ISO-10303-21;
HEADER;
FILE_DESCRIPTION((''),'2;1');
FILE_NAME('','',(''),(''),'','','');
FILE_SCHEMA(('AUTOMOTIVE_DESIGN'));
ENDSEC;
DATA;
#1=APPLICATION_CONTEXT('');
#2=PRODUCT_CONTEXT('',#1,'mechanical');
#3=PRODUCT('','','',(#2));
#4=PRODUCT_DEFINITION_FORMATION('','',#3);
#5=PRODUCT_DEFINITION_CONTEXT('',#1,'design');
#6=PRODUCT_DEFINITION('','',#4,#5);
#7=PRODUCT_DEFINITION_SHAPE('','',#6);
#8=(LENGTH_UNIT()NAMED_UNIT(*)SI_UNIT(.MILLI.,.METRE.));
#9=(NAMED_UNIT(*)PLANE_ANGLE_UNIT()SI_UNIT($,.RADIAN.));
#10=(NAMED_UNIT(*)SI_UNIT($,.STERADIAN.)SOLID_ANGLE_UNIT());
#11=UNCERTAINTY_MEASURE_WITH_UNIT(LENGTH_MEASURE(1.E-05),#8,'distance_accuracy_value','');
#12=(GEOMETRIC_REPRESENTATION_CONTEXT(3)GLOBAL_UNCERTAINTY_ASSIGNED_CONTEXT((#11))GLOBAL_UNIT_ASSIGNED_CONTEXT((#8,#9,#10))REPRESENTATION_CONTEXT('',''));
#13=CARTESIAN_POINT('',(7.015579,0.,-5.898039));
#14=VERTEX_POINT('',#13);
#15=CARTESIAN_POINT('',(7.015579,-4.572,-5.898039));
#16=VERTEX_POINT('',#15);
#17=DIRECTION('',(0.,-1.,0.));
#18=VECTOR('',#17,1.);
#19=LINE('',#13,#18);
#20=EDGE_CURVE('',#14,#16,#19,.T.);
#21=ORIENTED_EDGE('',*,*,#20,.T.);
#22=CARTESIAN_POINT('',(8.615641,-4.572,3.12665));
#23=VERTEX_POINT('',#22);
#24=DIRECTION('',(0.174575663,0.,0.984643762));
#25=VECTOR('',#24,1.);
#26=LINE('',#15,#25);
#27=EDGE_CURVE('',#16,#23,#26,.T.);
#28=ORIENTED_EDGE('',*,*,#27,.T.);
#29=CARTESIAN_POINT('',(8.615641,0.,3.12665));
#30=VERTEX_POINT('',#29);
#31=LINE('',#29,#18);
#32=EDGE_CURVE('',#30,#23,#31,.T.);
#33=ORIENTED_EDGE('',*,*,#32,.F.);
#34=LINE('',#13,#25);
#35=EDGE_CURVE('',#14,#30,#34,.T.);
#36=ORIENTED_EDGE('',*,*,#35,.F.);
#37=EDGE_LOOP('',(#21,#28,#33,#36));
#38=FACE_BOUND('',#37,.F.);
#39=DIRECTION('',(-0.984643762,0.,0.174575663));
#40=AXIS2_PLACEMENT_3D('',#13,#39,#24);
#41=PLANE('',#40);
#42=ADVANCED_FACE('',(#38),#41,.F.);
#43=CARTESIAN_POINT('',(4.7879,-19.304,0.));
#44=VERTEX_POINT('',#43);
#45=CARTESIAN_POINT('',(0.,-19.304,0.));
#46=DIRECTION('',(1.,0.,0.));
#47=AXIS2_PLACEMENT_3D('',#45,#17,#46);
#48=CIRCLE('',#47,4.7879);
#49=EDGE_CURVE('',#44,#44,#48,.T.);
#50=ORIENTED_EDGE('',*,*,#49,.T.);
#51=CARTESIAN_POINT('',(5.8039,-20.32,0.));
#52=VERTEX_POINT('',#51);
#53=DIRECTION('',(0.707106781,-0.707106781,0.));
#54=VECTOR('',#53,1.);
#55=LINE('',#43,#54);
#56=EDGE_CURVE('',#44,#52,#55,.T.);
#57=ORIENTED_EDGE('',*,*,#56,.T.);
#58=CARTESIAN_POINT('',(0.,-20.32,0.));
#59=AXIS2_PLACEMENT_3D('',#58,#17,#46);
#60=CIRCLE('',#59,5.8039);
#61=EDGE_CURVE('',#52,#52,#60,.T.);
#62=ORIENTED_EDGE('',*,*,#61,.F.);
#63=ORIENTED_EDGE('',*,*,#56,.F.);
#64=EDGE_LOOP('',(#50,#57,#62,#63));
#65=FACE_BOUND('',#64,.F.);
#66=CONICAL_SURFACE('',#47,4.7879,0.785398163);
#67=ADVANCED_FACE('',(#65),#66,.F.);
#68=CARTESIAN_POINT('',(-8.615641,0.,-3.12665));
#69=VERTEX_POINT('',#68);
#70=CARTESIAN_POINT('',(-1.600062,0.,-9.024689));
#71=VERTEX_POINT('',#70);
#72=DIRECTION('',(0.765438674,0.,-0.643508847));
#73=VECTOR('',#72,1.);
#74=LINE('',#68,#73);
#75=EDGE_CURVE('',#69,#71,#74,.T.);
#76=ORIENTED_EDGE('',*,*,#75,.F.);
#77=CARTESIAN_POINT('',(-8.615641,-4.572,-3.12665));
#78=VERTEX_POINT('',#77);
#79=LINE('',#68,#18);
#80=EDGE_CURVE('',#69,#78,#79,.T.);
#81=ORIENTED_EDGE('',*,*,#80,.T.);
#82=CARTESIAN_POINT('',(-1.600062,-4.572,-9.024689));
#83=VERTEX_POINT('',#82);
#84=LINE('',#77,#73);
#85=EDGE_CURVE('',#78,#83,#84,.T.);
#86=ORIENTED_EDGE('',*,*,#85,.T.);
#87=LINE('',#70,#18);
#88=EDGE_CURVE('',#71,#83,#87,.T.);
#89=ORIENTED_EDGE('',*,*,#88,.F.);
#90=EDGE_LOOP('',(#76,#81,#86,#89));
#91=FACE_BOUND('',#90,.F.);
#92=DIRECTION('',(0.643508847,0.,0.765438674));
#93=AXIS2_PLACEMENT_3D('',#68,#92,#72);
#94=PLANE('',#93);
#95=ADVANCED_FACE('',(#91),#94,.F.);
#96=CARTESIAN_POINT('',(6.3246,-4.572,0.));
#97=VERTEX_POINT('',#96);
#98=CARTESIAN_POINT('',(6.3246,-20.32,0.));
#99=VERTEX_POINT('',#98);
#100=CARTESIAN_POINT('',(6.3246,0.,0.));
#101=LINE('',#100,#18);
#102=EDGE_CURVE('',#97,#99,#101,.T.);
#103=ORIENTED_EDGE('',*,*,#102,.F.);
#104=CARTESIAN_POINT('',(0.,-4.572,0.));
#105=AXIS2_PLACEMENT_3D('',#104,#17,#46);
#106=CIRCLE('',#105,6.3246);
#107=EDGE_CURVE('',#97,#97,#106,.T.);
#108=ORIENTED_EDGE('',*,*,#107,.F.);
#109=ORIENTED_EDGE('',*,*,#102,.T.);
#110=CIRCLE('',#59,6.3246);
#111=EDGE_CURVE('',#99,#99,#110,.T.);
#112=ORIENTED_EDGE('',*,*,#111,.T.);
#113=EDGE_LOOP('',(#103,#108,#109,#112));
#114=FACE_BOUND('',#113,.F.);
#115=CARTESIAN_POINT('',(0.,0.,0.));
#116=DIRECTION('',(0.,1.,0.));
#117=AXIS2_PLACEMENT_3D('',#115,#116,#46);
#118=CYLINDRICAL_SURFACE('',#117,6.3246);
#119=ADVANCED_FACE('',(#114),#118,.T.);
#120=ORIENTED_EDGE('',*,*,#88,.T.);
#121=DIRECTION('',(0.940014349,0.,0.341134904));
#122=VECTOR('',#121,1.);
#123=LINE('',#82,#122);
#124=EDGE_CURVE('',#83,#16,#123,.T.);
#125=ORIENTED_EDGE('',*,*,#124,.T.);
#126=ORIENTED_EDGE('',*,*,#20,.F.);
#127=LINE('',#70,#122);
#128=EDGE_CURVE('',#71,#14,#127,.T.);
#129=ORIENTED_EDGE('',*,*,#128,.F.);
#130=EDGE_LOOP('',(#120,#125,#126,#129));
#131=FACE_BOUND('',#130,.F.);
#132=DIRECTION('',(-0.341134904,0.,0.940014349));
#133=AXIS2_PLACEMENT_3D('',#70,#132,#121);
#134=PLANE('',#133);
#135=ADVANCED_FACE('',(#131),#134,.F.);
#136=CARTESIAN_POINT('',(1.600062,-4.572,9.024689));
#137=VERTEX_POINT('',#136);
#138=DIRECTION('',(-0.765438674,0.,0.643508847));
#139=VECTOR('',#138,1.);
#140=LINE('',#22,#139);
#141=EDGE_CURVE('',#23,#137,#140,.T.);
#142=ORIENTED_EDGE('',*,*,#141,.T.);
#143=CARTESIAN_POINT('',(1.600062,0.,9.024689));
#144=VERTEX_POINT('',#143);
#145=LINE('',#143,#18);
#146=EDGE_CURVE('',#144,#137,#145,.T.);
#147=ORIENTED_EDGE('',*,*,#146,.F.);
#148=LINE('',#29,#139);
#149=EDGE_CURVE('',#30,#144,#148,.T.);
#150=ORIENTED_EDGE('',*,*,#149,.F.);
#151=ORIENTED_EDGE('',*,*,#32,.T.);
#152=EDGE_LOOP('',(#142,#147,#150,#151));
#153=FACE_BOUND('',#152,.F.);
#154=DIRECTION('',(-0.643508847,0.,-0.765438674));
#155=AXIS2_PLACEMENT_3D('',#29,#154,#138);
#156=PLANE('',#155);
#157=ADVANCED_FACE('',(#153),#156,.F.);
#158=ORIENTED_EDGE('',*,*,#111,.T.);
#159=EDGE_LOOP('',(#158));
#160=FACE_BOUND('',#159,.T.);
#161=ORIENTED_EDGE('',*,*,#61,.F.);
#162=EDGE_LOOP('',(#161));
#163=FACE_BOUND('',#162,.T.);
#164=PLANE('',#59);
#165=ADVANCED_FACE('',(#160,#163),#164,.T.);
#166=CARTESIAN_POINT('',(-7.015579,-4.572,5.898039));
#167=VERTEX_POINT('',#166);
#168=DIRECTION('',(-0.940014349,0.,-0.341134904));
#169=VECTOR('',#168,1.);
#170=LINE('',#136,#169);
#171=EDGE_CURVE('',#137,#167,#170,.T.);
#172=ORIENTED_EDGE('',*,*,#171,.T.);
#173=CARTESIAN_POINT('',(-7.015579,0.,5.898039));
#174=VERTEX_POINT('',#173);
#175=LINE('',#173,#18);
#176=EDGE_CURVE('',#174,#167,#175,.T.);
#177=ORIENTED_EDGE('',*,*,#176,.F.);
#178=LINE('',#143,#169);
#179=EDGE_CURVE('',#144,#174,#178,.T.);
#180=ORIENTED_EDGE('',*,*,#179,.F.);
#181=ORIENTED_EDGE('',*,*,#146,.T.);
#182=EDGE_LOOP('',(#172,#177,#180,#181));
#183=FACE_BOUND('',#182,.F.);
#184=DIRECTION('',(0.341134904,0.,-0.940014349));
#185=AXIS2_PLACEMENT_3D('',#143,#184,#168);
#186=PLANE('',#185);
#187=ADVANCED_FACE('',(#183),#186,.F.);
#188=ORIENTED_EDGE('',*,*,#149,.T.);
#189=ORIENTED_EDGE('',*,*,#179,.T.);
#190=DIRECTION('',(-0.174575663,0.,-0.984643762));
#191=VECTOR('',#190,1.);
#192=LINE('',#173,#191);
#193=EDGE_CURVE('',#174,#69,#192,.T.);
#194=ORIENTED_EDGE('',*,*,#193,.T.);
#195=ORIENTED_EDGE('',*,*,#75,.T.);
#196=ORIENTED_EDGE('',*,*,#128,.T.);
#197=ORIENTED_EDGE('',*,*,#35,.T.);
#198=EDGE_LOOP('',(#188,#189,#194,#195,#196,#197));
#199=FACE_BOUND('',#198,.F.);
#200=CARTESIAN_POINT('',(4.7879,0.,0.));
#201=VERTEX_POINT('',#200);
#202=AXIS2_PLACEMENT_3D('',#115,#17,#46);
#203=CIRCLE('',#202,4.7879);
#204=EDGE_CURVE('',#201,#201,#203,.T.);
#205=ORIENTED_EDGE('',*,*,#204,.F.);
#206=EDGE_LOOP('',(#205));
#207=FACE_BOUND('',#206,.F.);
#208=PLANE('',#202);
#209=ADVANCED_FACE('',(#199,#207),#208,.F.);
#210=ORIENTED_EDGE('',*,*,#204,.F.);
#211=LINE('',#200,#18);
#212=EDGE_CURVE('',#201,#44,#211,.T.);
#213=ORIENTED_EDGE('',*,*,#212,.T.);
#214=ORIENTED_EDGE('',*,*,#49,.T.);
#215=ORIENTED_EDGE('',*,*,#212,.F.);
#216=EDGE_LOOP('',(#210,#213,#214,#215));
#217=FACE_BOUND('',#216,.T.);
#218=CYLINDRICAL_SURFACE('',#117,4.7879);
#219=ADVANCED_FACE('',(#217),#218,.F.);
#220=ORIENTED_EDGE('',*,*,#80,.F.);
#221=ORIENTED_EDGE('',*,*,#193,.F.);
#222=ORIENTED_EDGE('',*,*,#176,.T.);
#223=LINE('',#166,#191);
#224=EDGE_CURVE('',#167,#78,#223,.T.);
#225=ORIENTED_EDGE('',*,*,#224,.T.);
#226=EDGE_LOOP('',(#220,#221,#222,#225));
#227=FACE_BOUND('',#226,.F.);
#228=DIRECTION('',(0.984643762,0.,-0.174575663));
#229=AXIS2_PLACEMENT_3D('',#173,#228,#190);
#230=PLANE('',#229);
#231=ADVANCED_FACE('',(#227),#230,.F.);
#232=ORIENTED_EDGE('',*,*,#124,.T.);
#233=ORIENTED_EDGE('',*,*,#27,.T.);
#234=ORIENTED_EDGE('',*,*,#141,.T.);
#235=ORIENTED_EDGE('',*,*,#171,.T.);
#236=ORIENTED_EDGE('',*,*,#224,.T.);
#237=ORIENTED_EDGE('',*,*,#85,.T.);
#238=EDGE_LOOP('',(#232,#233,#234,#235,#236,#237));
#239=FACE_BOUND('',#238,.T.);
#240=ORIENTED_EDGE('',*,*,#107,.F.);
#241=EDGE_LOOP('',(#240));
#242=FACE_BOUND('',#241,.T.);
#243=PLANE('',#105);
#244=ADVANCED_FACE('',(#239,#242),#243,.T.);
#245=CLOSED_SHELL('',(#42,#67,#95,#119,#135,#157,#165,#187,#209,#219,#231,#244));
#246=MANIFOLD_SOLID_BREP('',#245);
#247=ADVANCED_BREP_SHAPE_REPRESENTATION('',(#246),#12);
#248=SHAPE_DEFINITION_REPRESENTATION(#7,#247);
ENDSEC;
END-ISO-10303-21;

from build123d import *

# Parameters (mm, degrees)
F0_R     = 6.3246
F0_R_2   = 4.7879
F1_DEPTH = 20.32
F2_DEPTH = 4.572
F3_SIZE  = 1.016


with BuildPart() as f1:
    # F0 (on Front) → F1 (new body)
    with BuildSketch(Plane.XZ):
        Circle(F0_R)
        Circle(F0_R_2, mode=Mode.SUBTRACT)
    extrude(amount=F1_DEPTH)

    # F0 (on Front) → F2 (join)
    with BuildSketch(Plane.XZ):
        Polygon((7.015579, -5.898039), (8.615641, 3.12665), (1.600062, 9.024689), (-7.015579, 5.898039), (-8.615641, -3.12665), (-1.600062, -9.024689), align=None)
        Circle(F0_R, mode=Mode.SUBTRACT)
    extrude(amount=F2_DEPTH)

    # F3
    f3_edges = [f1.edges().sort_by_distance(p)[0] for p in [
        (-4.7879, -20.32, 0),
    ]]
    chamfer(f3_edges, length=F3_SIZE)


solid = f1.part
